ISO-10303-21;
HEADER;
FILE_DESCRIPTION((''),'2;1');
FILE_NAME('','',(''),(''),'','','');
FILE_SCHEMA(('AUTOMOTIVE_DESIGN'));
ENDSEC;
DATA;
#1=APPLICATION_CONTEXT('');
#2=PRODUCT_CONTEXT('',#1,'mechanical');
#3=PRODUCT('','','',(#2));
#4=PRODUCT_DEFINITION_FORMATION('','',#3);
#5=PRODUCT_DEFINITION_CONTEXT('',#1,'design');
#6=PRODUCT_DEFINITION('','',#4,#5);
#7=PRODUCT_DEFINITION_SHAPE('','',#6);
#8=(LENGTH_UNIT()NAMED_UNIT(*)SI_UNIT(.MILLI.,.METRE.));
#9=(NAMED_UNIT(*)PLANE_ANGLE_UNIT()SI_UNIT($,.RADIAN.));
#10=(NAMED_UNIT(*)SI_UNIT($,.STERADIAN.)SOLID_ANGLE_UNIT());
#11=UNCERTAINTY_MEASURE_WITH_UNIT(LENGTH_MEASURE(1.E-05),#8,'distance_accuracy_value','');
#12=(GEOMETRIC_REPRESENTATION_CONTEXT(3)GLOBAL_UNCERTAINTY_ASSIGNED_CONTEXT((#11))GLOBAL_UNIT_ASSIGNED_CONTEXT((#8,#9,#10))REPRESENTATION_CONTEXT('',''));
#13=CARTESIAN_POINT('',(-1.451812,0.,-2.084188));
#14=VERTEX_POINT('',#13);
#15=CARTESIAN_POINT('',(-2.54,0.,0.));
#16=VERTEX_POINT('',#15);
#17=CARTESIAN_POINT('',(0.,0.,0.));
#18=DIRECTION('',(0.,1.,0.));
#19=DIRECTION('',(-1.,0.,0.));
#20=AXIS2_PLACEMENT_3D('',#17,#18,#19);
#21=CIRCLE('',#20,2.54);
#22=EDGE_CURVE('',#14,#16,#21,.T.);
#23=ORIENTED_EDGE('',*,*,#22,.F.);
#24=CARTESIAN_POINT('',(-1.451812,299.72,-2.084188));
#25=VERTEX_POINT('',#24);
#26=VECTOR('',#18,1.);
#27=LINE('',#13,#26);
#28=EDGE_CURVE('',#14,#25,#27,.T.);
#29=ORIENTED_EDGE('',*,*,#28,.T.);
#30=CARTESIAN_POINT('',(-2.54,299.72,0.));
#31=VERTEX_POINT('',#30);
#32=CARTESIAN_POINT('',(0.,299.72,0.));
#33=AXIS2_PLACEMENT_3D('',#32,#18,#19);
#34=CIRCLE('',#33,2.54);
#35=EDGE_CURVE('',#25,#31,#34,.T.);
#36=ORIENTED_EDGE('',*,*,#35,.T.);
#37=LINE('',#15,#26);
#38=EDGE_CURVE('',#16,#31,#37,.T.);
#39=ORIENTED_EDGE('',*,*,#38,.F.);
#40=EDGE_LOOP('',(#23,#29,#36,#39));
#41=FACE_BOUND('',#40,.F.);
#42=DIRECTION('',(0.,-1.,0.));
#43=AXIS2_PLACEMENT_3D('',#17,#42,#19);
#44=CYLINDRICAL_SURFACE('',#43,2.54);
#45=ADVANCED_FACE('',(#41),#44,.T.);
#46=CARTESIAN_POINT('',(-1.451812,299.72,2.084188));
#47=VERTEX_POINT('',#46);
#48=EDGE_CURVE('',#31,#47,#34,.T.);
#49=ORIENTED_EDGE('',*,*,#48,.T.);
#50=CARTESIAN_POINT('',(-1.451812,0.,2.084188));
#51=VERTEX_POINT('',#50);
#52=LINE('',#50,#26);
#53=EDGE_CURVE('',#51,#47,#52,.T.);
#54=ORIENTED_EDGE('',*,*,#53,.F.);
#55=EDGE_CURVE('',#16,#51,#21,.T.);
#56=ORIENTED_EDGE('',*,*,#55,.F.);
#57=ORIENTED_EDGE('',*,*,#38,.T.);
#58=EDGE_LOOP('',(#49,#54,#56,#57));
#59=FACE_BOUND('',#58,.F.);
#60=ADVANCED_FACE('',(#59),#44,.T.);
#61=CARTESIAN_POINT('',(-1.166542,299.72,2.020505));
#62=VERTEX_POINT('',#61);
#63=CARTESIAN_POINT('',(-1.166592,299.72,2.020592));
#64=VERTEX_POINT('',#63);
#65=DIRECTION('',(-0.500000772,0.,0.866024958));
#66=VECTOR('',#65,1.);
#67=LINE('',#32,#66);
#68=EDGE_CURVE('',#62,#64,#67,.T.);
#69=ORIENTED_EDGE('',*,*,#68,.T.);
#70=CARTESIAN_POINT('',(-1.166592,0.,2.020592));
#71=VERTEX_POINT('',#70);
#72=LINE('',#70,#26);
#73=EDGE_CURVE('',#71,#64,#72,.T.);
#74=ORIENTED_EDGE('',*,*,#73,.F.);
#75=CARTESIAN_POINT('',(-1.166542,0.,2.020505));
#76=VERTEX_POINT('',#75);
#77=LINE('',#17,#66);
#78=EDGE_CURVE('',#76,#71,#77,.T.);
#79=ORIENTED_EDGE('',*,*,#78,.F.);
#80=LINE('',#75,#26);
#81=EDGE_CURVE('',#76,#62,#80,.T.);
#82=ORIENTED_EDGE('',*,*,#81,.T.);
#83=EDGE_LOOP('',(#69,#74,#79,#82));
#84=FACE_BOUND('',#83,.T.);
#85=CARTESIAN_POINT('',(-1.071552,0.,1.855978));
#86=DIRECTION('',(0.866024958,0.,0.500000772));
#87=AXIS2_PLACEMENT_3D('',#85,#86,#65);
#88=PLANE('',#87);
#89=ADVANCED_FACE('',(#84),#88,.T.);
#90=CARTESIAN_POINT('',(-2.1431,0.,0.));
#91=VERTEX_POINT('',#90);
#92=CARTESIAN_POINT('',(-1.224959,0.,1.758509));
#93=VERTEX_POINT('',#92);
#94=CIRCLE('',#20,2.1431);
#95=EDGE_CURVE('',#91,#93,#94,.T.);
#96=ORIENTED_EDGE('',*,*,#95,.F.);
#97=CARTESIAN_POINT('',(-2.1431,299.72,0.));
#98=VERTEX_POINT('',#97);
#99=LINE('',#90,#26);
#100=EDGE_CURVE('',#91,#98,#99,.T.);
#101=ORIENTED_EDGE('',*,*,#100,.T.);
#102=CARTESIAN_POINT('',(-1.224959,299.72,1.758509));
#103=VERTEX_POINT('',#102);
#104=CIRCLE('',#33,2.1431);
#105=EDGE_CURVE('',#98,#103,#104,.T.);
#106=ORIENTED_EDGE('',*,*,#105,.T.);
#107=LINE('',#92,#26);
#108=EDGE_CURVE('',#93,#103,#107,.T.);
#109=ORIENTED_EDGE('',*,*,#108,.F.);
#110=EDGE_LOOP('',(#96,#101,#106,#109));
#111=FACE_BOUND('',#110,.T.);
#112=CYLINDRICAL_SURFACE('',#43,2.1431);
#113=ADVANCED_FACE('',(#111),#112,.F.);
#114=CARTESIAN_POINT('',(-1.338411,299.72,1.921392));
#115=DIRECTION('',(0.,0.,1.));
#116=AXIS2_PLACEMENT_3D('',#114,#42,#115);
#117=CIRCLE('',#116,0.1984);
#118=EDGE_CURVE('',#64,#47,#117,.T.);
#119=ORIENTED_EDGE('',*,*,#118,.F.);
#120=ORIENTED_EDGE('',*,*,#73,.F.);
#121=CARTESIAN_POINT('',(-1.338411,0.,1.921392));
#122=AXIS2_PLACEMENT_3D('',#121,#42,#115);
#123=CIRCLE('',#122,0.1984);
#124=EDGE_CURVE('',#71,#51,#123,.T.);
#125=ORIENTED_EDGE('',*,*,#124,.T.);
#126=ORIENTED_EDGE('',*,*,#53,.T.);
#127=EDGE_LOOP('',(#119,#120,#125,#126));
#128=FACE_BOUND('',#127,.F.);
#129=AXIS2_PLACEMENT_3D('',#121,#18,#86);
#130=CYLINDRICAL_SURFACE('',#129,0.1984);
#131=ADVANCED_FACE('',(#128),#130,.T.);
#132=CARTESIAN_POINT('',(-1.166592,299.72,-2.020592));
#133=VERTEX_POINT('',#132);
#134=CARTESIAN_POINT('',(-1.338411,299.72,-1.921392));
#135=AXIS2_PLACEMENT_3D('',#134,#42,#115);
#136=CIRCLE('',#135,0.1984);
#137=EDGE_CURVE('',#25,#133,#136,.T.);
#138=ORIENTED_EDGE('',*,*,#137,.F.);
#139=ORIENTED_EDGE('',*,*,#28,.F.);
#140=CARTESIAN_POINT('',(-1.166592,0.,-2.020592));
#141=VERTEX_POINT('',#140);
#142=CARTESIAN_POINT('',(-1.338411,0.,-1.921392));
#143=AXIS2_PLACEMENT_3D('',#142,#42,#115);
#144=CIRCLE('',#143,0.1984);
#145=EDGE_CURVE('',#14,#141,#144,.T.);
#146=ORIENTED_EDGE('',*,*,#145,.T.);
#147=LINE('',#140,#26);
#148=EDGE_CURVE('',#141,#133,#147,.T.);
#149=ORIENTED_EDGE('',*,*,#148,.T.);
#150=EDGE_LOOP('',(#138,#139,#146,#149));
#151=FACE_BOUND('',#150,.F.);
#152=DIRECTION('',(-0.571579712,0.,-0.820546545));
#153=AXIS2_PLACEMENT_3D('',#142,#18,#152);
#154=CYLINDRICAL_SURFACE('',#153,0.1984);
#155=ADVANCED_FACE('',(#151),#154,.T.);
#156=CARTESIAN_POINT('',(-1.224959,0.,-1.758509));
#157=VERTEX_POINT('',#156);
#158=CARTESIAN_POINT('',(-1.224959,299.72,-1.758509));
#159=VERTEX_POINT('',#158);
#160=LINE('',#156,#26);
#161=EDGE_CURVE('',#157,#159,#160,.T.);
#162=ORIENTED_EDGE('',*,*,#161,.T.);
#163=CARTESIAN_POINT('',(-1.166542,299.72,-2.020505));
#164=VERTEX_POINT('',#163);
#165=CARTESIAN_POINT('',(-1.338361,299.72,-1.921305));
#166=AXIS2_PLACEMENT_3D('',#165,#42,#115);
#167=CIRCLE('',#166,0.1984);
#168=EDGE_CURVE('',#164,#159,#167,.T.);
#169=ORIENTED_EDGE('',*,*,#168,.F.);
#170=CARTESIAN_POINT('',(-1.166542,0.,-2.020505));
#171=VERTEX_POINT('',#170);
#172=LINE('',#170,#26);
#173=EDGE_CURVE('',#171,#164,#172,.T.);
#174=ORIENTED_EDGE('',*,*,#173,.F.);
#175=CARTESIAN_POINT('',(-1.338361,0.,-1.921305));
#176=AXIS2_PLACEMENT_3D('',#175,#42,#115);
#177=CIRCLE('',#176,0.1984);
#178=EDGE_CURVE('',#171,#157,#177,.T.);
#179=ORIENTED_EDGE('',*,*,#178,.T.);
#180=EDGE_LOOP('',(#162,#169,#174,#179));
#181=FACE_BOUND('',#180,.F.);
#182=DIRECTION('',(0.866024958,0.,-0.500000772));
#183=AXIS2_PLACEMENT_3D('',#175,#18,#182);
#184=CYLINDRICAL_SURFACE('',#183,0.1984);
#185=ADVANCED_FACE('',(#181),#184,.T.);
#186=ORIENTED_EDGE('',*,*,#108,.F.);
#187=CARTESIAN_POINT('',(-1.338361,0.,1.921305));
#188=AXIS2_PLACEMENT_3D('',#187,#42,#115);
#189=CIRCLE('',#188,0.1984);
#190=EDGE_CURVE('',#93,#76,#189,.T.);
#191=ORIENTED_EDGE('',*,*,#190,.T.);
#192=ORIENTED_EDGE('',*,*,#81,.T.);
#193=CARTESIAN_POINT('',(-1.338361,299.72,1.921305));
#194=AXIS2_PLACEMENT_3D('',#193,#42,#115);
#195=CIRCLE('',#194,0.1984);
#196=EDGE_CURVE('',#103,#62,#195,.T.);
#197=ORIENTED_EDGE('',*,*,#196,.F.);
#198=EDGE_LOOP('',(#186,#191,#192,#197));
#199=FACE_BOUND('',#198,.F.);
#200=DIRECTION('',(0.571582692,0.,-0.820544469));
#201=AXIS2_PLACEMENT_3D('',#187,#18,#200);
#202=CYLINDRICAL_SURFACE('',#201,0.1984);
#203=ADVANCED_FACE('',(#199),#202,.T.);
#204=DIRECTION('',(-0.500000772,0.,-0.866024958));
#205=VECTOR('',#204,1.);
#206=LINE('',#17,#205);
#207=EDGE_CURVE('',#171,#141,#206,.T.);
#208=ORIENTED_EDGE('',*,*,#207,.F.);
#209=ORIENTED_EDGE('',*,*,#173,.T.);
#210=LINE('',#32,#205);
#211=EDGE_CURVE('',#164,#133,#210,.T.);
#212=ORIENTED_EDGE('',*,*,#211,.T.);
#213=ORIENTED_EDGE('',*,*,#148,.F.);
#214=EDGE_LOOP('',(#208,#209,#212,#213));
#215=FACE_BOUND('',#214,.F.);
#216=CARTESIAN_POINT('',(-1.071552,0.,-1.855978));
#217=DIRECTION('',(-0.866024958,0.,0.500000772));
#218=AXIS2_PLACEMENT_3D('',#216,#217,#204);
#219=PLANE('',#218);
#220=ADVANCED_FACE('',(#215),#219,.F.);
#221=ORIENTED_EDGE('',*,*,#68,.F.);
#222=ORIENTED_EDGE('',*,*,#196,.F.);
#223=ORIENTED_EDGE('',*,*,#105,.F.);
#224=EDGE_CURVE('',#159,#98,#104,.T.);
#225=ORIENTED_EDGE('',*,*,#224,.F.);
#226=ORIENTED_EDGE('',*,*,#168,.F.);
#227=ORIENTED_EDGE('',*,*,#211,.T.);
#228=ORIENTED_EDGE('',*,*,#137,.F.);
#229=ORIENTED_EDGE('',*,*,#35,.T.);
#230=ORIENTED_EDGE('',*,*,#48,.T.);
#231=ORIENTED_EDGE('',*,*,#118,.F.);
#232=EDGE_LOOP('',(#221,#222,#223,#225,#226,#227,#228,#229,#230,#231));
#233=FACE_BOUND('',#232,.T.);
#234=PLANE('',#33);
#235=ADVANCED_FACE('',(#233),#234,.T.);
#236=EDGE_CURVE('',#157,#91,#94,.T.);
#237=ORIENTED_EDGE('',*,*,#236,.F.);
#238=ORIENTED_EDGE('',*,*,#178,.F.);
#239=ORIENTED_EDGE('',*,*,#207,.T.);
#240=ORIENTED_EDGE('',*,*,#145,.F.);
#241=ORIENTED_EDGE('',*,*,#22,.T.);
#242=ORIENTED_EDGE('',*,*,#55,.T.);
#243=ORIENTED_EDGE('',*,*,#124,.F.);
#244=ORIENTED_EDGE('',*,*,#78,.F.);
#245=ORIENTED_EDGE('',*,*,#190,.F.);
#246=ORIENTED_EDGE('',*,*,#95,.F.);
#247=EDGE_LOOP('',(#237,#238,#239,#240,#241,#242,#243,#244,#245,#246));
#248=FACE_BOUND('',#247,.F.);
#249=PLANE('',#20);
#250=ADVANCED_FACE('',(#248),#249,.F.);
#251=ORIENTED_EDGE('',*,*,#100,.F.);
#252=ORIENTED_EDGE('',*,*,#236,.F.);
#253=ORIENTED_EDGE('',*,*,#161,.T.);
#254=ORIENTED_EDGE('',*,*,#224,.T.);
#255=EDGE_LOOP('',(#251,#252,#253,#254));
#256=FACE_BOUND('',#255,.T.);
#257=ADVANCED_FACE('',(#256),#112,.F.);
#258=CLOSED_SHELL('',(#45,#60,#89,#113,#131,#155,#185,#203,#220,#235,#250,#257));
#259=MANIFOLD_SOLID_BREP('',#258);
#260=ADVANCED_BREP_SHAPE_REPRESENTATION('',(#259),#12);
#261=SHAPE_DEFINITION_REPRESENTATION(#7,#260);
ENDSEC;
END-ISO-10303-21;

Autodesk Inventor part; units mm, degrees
ref_plane "YZ Plane" through (0, 0, 0) normal (1, 0, 0) x (0, 1, 0)
ref_plane "XZ Plane" through (0, 0, 0) normal (0, 1, 0) x (-1, 0, 0)
ref_plane "XY Plane" through (0, 0, 0) normal (0, 0, 1) x (1, 0, 0)
sketch "Sketch1" plane through (0, 0, 0) normal (0, 1, 0) x (-1, 0, 0)
  circle A0 centre (0, 0) radius 2.54
  line L0 (0, 0) -> (0, 2.54)
  line L1 (0, 0) -> (1.27, 2.1997)
  line L2 (0, 0) -> (2.54, 0) construction
  line L3 (0, 0) -> (1.27, -2.1997)
  line L4 (0, 0) -> (2.54, 0) construction
  circle A1 centre (0, 0) radius 2.1431
  point P0 (1.0716, 1.856)
  point P1 (1.0716, -1.856)
  dimension "d0" = 5.08
  dimension "d1" = 60
  dimension "d2" = 60
  dimension "d3" = 0.3969
extrude "Extrusion1" add sketch "Sketch1" along normal blind 299.72 contours A0 L3 A1 L1
fillet "Fillet1" radius 0.1984 4 edges at (-1.0716, 149.86, 1.856) (-1.27, 149.86, 2.1997) (-1.0716, 149.86, -1.856) (-1.27, 149.86, -2.1997)
properties part number "11.8inch bands" material "Rubber, Silicone"
